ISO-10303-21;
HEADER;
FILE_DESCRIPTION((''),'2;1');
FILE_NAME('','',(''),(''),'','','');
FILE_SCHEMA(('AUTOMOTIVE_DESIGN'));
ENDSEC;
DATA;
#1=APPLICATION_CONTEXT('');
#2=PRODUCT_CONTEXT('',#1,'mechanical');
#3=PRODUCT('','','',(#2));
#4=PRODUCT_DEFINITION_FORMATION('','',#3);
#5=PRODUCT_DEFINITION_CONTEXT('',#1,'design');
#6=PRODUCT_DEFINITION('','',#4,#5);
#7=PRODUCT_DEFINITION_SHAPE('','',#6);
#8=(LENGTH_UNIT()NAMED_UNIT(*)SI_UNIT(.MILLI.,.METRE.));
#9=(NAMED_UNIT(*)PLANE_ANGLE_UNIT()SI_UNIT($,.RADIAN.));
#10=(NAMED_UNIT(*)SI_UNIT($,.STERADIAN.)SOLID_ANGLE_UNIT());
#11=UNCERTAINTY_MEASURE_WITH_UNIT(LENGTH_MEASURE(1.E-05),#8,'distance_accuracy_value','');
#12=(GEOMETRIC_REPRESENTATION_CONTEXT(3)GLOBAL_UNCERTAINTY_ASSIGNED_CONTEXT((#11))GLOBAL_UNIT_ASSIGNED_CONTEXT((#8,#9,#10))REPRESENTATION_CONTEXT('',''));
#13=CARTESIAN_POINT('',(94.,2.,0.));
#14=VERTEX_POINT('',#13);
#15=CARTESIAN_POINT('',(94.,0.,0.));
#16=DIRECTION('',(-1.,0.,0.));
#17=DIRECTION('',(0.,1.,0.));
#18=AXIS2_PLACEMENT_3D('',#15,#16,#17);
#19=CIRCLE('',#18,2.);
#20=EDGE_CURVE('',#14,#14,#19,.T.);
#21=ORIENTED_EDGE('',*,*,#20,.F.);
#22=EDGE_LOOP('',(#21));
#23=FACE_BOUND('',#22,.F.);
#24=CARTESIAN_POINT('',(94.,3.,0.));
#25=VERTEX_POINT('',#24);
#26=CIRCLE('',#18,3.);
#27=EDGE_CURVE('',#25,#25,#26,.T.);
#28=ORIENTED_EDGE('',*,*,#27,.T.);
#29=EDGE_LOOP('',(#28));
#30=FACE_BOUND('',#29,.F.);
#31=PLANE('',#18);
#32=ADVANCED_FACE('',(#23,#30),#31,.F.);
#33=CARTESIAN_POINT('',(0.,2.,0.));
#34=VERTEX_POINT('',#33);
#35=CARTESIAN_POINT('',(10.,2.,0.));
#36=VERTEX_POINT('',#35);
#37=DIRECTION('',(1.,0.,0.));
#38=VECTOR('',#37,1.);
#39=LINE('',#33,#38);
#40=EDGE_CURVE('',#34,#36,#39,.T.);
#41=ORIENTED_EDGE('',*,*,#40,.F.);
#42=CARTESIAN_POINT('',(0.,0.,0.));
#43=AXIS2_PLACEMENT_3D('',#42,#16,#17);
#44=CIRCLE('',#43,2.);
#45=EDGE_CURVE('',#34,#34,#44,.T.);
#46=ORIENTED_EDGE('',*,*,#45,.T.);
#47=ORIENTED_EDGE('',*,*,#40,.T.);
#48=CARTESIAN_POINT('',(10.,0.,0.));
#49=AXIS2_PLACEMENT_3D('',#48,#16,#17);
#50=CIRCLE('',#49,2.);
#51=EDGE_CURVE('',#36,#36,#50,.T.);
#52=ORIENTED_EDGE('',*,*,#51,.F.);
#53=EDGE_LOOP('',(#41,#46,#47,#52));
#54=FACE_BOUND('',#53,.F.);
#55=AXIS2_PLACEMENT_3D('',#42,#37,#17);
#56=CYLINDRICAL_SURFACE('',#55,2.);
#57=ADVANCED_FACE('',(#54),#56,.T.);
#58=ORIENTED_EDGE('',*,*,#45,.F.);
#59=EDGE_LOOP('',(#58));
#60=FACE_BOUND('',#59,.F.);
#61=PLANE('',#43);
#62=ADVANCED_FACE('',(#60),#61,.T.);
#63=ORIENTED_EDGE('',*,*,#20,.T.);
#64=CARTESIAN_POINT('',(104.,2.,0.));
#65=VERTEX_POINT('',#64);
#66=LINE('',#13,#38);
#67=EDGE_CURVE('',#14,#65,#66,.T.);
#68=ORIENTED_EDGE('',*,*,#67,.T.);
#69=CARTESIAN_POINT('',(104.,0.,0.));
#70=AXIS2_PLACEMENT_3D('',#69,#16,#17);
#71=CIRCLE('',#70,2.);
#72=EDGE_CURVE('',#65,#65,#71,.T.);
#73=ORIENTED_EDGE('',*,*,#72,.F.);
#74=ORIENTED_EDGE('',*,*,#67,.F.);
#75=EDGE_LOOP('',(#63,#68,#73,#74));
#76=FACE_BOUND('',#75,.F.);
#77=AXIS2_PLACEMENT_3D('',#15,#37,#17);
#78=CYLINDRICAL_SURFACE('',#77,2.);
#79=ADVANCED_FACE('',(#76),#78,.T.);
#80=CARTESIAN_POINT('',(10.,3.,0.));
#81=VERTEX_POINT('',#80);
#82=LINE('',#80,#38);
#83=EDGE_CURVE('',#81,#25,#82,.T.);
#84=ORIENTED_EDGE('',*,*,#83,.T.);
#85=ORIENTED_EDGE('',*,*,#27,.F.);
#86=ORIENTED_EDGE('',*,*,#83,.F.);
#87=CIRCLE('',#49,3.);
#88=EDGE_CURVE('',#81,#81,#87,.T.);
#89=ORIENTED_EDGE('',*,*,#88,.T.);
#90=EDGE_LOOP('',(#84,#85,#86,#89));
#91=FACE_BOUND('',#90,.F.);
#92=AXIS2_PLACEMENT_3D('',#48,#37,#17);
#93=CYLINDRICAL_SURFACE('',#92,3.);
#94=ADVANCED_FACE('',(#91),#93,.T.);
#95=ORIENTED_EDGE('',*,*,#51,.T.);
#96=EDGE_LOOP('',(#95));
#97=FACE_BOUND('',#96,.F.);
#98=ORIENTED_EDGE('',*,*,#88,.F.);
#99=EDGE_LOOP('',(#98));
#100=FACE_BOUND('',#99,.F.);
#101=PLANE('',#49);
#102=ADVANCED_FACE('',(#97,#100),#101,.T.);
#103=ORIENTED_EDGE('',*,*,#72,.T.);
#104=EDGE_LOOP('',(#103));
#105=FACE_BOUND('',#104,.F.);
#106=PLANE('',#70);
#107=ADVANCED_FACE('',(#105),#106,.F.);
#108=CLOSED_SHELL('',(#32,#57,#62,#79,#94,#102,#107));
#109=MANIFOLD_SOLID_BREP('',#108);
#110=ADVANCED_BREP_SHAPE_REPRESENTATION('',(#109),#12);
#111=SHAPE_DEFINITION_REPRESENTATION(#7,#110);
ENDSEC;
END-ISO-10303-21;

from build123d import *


with BuildPart() as part:
    # Sketch1 → Revolve1 (revolve)
    with BuildSketch(Plane.XY):
        Polygon((0, 0), (0, 2), (10, 2), (10, 3), (94, 3), (94, 2), (104, 2), (104, 0), align=None)
    revolve(axis=Axis((0, 0, 0), (-1, 0, 0)))


solid = part.part
